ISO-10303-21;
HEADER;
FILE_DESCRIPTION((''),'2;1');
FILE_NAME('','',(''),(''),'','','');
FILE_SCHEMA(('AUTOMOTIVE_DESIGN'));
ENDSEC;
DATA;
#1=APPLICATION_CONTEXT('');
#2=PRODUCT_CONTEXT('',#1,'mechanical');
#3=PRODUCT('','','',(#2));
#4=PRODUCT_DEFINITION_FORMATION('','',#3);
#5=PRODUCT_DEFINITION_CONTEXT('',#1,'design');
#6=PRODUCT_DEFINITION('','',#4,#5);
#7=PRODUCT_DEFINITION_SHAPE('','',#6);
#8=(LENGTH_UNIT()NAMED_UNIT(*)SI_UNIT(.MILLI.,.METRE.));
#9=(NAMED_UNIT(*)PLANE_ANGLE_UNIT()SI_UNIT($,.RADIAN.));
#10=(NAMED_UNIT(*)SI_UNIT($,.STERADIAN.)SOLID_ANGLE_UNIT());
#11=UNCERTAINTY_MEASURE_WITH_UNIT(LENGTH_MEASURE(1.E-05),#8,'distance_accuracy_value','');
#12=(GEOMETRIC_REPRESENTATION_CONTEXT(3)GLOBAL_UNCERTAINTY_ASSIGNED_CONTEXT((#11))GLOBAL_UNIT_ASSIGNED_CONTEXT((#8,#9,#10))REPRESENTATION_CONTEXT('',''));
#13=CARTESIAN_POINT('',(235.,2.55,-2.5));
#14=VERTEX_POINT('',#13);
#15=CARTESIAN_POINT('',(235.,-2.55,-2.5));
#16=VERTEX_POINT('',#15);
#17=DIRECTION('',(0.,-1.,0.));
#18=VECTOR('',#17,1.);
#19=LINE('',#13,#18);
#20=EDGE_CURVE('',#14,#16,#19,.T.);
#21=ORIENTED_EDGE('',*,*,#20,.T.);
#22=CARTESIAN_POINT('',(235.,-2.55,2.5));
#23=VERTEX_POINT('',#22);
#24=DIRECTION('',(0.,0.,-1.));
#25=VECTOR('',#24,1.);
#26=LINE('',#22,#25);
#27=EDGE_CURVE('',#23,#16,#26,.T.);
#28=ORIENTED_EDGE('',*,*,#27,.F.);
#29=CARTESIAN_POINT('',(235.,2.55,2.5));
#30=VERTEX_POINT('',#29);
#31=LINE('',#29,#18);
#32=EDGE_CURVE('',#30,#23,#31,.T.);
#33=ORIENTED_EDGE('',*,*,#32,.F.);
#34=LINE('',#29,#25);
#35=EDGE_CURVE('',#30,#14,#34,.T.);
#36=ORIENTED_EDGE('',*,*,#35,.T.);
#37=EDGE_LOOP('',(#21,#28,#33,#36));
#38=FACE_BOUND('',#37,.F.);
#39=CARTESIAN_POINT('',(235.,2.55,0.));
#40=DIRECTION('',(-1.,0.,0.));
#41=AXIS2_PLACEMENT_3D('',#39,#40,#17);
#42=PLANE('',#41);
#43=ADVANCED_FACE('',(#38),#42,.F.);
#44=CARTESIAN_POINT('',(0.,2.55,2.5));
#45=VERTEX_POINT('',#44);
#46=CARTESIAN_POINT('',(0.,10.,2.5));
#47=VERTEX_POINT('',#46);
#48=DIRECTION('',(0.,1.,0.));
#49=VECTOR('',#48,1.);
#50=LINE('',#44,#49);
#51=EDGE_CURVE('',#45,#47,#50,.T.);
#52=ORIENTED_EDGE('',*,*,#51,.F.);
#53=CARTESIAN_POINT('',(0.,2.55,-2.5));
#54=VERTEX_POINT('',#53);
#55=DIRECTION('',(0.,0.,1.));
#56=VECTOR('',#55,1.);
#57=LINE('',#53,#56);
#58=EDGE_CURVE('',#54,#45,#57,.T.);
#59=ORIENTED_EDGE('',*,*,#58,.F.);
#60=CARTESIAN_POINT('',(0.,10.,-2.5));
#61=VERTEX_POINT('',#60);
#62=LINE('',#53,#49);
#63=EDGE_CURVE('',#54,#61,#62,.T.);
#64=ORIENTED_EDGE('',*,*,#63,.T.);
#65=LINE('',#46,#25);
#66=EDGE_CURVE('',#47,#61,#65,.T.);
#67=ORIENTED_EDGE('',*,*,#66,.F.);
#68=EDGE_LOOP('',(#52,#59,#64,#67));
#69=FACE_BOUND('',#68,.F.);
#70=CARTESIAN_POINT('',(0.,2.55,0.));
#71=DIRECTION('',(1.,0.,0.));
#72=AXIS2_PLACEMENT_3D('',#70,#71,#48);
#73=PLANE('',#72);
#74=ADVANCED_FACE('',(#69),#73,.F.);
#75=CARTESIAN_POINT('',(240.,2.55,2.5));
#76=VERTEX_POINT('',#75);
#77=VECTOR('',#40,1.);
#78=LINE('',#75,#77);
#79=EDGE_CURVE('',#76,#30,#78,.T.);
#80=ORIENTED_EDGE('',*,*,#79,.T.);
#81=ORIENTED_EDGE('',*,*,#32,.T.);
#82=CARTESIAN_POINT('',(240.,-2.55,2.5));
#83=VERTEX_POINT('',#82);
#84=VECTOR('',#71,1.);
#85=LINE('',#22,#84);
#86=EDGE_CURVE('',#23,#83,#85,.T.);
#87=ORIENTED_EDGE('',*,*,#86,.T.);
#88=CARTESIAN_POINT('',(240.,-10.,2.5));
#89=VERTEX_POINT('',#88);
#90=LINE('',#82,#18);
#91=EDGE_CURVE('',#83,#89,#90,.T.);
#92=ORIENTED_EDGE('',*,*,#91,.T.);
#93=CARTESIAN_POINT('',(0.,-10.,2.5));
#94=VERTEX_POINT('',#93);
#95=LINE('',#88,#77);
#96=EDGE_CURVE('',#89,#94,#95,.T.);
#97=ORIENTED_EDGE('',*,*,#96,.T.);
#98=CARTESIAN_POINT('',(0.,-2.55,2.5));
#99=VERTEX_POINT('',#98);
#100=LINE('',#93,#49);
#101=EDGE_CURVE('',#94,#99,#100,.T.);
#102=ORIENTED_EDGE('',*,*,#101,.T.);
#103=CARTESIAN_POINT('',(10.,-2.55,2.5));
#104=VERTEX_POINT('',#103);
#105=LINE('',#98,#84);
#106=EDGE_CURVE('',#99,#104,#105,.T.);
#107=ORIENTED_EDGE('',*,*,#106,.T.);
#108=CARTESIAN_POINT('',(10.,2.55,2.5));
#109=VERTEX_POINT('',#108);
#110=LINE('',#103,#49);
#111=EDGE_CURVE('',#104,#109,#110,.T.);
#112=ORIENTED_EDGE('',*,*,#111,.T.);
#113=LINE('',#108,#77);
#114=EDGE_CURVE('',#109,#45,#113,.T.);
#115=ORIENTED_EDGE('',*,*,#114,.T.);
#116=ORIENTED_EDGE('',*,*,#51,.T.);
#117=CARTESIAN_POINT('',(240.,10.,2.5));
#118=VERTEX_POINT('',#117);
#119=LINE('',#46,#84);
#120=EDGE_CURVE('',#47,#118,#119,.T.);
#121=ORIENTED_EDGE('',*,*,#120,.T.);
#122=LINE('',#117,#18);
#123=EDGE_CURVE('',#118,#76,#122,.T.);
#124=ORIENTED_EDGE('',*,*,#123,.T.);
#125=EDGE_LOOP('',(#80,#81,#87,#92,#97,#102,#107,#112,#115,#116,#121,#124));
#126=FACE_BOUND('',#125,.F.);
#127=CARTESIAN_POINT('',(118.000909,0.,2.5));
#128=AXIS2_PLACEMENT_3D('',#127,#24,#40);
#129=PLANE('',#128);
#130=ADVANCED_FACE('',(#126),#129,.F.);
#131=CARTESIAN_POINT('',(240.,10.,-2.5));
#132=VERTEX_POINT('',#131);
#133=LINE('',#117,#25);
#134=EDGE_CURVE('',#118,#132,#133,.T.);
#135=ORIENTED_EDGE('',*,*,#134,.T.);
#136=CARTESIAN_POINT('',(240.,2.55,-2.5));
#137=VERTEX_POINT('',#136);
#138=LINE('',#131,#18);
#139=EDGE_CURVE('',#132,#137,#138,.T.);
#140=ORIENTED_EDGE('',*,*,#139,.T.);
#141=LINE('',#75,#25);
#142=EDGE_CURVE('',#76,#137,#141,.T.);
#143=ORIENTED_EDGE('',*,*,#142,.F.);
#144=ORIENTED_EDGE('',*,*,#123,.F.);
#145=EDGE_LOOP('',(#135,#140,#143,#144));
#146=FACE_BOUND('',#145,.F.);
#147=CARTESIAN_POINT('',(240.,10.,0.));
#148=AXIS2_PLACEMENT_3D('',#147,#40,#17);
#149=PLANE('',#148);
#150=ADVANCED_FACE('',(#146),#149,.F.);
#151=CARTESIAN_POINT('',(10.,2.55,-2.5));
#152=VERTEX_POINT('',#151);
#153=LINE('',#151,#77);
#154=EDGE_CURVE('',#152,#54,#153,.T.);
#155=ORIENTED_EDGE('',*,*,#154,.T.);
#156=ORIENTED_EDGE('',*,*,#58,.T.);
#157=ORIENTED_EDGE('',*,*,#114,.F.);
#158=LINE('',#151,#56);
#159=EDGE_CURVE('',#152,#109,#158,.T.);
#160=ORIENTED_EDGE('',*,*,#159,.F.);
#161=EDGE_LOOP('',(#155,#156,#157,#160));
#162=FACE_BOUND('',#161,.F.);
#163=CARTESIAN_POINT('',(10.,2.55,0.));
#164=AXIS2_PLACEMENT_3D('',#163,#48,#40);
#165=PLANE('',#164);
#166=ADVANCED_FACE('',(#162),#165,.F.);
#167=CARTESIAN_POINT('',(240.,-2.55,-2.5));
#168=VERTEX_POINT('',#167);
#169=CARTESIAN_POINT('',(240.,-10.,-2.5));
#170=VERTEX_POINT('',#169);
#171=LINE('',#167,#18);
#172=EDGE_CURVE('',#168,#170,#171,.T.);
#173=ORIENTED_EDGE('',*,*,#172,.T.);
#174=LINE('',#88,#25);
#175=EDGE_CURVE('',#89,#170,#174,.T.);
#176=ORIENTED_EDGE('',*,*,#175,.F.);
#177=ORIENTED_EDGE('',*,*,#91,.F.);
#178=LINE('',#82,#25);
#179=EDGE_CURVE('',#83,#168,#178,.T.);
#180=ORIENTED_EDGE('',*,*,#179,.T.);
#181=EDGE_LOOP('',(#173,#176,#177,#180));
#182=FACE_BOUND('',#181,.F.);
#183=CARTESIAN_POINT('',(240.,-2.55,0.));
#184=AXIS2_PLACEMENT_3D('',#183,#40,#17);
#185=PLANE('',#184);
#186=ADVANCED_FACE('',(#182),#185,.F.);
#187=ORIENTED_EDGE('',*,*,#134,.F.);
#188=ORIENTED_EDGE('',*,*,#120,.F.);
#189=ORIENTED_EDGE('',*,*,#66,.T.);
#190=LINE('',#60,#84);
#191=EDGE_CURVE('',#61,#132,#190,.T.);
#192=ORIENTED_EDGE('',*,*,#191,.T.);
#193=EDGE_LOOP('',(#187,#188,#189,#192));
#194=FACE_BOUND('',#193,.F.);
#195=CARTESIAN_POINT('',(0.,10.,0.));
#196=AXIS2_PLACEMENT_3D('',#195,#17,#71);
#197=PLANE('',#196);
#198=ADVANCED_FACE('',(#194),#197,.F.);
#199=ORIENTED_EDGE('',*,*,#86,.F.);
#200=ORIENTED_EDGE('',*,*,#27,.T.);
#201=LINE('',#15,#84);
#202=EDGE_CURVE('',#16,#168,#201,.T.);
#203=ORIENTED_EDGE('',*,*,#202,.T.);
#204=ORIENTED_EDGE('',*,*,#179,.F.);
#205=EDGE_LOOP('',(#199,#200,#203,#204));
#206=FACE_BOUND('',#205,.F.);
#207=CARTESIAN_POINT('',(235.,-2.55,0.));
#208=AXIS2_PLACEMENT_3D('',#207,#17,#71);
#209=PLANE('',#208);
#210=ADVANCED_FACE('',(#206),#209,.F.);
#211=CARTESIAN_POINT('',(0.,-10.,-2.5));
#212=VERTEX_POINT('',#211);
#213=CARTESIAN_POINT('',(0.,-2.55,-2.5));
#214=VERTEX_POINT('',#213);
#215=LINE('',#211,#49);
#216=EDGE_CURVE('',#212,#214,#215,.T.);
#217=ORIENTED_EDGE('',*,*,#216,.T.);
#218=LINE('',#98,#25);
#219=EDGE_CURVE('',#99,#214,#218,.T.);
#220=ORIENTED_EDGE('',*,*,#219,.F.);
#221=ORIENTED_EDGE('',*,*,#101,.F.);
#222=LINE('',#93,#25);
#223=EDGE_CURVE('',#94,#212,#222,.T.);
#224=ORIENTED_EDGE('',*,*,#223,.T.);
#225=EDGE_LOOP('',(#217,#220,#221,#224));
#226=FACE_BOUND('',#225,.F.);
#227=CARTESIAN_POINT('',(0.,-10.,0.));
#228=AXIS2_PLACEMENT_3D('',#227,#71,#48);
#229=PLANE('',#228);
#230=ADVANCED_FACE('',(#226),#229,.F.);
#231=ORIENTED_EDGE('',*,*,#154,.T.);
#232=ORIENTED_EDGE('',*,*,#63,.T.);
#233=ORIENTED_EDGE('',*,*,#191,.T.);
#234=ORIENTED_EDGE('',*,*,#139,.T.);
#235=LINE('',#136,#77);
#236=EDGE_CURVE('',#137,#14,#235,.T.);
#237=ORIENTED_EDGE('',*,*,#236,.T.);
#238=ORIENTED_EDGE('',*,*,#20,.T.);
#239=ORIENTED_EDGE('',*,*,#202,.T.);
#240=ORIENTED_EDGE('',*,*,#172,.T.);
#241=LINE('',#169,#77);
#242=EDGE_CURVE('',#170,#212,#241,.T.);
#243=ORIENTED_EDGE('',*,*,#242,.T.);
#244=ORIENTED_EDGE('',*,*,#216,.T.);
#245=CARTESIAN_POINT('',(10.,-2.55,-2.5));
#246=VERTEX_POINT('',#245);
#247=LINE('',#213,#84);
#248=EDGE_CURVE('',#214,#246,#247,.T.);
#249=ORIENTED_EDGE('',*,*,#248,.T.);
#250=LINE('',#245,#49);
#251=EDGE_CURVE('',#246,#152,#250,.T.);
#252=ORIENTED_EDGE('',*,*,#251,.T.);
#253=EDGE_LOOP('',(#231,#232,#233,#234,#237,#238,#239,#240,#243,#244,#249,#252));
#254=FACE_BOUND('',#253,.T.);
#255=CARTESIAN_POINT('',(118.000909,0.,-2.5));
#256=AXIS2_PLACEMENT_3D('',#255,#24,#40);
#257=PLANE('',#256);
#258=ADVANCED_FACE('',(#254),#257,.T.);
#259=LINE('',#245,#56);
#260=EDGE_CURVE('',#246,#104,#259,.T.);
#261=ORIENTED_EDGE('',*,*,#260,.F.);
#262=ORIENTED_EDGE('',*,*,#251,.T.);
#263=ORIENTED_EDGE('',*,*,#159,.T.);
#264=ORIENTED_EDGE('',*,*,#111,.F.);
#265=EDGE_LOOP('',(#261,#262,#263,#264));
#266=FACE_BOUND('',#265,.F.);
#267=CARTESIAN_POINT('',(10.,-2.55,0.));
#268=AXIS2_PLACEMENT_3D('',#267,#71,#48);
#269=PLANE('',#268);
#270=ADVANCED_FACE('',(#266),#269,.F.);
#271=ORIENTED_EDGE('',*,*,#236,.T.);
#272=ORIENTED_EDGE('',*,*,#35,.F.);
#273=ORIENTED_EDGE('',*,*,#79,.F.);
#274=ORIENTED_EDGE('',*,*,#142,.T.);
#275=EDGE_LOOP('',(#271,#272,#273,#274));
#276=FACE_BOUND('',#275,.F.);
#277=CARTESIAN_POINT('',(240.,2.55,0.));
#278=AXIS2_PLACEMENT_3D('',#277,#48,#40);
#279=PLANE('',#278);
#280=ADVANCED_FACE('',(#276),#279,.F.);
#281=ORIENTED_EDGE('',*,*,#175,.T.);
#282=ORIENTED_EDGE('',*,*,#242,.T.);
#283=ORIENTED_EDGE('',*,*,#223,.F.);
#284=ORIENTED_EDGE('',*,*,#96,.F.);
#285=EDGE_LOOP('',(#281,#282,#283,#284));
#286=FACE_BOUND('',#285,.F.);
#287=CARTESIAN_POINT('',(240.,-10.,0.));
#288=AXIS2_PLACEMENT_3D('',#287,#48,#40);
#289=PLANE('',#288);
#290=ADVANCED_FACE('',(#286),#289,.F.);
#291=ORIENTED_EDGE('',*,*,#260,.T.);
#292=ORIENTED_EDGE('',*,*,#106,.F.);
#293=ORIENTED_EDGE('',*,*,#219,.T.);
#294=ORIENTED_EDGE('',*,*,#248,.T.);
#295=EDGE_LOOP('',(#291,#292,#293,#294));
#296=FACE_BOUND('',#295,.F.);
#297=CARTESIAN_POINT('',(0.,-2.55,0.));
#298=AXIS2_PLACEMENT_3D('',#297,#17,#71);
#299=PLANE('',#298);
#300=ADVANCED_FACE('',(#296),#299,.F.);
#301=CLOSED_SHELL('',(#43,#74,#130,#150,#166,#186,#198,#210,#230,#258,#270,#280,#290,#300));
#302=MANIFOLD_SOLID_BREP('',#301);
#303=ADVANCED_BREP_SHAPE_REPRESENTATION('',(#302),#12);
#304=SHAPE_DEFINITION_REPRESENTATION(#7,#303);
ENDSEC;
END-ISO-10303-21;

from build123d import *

# Parameters (mm, degrees)
PAD_DEPTH = 2.5


with BuildPart() as part:
    # Sketch → Pad (new body, symmetric)
    with BuildSketch(Plane.XY):
        Polygon((0, 2.55), (0, 10), (240, 10), (240, 2.55), (235, 2.55), (235, -2.55), (240, -2.55), (240, -10), (0, -10), (0, -2.55), (10, -2.55), (10, 2.55), align=None)
    extrude(amount=PAD_DEPTH, both=True)


solid = part.part
